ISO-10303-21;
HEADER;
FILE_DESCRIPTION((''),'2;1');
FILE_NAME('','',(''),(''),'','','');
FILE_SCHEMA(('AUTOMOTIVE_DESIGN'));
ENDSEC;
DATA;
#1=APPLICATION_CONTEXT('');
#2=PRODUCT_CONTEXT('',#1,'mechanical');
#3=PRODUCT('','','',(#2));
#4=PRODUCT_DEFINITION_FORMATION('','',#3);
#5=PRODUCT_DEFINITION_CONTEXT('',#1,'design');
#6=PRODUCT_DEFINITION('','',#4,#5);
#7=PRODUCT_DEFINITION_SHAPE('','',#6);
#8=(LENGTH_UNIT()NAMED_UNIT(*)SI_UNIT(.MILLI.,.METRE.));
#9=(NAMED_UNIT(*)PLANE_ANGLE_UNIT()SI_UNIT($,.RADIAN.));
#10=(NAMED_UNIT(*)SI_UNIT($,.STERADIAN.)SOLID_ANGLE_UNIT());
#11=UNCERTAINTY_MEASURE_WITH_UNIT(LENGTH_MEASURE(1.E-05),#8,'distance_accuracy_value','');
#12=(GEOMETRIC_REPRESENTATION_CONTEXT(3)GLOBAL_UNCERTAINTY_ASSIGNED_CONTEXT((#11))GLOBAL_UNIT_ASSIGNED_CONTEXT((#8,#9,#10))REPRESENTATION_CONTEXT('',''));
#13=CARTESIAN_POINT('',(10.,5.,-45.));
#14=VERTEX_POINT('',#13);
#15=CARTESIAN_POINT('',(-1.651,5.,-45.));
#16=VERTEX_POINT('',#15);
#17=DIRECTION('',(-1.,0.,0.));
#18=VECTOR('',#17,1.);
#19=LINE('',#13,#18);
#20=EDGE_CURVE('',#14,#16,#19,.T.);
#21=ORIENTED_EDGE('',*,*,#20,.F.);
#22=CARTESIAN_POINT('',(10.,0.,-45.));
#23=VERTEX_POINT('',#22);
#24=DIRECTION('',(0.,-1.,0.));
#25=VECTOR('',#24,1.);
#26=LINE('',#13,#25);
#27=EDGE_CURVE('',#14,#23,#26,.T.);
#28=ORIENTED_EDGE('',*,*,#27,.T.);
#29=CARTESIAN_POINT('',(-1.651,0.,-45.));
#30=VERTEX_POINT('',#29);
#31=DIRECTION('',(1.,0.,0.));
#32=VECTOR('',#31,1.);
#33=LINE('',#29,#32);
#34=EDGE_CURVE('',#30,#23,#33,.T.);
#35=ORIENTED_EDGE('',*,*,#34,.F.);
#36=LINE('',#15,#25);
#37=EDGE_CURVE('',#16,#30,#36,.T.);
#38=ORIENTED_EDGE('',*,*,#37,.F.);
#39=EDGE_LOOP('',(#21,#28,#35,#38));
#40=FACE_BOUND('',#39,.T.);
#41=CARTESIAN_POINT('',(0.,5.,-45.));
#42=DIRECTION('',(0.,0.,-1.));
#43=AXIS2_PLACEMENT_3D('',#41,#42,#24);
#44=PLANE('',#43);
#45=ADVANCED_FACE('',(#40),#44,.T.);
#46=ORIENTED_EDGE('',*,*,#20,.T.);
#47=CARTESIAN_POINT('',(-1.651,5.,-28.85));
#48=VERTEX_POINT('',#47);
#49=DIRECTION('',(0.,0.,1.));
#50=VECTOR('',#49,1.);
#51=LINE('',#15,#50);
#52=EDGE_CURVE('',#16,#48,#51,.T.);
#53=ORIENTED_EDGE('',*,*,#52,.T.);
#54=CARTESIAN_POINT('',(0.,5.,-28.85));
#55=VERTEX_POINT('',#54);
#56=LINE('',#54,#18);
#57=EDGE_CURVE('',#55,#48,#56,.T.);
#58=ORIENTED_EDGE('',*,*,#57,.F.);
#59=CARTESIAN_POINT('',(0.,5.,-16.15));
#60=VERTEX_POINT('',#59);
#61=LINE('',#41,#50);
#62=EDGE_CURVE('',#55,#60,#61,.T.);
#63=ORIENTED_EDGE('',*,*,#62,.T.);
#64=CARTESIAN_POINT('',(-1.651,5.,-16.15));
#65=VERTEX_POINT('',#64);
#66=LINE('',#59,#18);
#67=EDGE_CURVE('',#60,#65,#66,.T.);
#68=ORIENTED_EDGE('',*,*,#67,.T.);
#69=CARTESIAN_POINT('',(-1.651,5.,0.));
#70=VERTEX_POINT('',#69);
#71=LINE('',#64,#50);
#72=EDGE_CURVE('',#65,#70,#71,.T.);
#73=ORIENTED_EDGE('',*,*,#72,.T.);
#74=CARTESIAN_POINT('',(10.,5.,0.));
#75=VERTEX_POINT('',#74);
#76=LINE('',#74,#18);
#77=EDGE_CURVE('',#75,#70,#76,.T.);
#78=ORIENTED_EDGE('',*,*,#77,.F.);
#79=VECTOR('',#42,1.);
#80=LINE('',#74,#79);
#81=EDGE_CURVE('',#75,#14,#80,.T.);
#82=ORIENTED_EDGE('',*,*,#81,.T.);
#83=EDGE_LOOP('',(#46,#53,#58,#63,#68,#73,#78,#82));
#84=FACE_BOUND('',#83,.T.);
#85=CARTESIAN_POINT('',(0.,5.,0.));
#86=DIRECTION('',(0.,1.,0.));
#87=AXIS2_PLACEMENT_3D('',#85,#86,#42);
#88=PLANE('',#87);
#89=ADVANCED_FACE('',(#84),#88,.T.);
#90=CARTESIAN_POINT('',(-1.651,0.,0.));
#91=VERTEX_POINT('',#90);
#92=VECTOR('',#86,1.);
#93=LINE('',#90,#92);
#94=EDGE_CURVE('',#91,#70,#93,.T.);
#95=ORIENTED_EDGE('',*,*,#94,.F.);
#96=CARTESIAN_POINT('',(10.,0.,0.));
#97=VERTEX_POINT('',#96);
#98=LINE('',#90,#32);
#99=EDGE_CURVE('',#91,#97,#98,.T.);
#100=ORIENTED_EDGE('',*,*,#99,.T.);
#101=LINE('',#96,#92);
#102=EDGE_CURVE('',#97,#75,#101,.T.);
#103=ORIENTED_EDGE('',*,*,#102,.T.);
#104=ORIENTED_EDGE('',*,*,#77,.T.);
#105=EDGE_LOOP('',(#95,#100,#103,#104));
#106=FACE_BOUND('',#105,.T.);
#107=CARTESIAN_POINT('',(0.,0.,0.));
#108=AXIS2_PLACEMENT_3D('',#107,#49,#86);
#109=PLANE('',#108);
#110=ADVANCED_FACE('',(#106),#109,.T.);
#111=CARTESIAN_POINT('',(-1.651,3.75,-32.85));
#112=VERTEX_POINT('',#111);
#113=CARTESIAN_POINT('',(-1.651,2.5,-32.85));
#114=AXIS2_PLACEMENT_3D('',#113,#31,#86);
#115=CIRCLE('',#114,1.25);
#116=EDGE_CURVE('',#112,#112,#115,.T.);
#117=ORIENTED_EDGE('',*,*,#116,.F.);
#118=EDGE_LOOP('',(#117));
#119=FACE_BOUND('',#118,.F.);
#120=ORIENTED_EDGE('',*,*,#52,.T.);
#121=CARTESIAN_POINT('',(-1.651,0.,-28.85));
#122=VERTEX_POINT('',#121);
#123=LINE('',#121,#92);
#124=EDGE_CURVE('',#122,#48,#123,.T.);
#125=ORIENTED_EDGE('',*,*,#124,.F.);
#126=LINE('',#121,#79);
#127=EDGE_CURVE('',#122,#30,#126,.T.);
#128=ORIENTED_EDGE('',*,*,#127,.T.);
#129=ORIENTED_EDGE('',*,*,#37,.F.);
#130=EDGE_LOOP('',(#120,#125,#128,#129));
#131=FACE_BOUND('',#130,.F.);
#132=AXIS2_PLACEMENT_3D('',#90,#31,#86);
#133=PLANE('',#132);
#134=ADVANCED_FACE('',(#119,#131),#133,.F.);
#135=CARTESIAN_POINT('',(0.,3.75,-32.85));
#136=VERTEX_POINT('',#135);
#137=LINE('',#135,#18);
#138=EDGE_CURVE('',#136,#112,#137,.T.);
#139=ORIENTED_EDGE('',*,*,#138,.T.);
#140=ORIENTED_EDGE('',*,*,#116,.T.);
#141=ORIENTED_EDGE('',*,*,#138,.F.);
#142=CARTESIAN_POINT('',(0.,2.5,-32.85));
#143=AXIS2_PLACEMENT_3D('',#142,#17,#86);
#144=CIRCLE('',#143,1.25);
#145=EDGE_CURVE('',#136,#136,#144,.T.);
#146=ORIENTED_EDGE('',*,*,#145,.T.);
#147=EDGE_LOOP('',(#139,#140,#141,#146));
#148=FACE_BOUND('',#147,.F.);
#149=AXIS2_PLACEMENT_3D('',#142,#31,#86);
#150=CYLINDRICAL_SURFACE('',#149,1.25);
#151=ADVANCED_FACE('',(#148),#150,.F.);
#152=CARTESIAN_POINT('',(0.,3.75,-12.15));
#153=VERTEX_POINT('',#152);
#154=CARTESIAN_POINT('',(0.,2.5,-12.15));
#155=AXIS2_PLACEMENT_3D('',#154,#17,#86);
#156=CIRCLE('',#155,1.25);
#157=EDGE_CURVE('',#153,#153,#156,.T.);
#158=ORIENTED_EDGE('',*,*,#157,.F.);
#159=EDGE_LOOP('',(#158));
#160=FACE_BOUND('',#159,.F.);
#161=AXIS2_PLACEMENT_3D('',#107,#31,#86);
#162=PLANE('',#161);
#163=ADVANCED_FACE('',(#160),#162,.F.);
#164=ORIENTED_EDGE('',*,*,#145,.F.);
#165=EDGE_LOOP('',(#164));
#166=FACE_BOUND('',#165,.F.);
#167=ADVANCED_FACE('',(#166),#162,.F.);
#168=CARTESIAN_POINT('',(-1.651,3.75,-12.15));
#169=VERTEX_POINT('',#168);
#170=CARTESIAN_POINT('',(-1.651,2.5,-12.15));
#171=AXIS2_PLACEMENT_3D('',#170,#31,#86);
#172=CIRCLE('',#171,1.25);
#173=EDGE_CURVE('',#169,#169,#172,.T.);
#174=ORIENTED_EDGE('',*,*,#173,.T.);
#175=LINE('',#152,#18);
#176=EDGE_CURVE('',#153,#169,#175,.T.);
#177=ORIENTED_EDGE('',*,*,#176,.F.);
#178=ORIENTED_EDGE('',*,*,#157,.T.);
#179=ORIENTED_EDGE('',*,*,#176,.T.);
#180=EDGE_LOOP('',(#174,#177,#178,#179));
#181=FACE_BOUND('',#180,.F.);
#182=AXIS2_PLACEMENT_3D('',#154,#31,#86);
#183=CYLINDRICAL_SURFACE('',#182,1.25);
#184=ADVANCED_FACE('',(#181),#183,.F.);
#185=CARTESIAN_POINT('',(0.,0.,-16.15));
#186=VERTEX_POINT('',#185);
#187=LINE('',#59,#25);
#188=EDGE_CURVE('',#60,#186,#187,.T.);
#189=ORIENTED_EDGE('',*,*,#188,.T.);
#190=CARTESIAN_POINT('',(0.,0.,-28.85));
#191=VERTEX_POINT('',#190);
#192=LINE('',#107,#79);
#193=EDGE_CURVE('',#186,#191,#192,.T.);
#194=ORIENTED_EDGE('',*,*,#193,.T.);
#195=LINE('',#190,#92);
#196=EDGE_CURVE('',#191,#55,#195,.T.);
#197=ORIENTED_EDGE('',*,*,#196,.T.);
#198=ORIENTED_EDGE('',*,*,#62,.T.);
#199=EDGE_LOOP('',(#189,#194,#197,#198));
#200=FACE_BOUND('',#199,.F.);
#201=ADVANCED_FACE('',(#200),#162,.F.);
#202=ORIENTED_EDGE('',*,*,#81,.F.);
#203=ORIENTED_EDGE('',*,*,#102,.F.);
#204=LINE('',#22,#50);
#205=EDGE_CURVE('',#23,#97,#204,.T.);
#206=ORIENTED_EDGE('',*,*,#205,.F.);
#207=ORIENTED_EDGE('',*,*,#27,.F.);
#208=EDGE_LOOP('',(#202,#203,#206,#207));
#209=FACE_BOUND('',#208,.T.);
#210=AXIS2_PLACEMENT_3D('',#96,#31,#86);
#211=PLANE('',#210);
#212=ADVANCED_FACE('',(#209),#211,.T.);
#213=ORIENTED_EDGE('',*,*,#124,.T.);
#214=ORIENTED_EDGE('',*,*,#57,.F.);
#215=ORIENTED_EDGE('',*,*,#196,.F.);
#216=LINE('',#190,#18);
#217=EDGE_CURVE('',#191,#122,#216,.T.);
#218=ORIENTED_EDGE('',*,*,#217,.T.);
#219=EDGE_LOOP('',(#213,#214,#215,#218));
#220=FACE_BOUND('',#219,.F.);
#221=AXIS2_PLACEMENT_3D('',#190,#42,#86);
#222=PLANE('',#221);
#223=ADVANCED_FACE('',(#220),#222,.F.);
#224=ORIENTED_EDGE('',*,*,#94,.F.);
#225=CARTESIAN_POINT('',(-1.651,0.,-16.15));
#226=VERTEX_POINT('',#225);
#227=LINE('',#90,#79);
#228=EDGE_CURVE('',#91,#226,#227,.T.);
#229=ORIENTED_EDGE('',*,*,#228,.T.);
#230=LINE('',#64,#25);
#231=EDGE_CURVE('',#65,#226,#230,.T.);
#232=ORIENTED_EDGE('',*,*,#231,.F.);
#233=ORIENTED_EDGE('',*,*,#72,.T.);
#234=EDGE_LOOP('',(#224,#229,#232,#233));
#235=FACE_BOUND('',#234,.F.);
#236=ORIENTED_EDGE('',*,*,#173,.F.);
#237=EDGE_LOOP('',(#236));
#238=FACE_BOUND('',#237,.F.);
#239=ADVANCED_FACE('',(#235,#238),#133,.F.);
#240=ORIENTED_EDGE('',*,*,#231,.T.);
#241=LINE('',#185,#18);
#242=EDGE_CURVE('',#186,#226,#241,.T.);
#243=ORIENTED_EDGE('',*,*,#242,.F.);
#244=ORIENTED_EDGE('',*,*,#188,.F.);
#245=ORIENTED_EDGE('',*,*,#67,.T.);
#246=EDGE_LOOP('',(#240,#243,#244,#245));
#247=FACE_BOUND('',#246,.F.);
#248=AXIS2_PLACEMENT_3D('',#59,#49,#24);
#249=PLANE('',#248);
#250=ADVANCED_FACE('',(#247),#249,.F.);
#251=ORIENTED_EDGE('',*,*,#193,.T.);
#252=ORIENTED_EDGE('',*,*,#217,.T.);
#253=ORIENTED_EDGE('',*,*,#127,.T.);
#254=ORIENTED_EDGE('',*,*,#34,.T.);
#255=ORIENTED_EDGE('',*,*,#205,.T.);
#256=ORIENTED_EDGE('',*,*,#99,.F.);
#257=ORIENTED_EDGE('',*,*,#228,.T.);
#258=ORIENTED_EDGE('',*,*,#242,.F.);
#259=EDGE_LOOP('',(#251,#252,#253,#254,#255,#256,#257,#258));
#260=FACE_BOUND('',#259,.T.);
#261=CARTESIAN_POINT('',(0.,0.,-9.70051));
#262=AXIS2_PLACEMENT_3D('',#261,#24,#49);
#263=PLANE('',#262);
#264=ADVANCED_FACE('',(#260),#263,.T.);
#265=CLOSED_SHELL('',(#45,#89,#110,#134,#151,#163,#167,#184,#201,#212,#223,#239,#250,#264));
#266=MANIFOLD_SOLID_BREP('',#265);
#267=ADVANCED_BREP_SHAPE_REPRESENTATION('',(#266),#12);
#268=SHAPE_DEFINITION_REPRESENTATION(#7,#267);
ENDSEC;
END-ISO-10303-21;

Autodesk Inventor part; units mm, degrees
ref_plane "YZ Plane" through (0, 0, 0) normal (1, 0, 0) x (0, 1, 0)
ref_plane "XZ Plane" through (0, 0, 0) normal (0, 1, 0) x (-1, 0, 0)
ref_plane "XY Plane" through (0, 0, 0) normal (0, 0, 1) x (1, 0, 0)
sketch "スケッチ1" plane through (0, 0, 0) normal (1, 0, 0) x (0, 1, 0)
  line L0 (0, 0) -> (5, 0)
  line L1 (5, 0) -> (5, -45)
  line L2 (5, -45) -> (0, -45)
  line L3 (0, -45) -> (0, 0)
  circle A0 centre (2.5, -12.15) radius 1.25
  line L4 (0, -13) -> (5, -13)
  line L5 (5, -13) -> (5, -32)
  line L6 (5, -32) -> (0, -32)
  line L7 (0, -32) -> (0, -13)
  circle A1 centre (2.5, -12.15) radius 3.5
  line L8 (0, -22.5) -> (5, -22.5)
  circle A2 centre (2.5, -32.85) radius 1.25
  line L9 (5, -16.15) -> (0, -16.15)
  line L10 (0, -16.15) -> (0, -28.85)
  line L11 (0, -28.85) -> (5, -28.85)
  line L12 (5, -28.85) -> (5, -16.15)
  point P0 (5, -28.85)
  point P1 (0, -28.85)
  point P2 (0, -16.15)
  point P3 (5, -16.15)
  dimension "d0" = 5
  dimension "d1" = 45
  dimension "d2" = 2.5
  dimension "d4" = 5
  dimension "d5" = 19
  dimension "d7" = 12.15
  dimension "d8" = 2.5
  dimension "d9" = 7
  dimension "d19" = 5
  dimension "d20" = 12.7
  dimension "d21" = 6.35
  dimension "d28" = 13
extrude "押し出し1" add sketch "スケッチ1" along normal blind 10 contours L0 L1 A1 L3 | A1 L1 L4 A0 L3 | L4 A0 L1 A1 L3 | A1 L1 L9 L3 | L4 A0 | A0 L4 | L9 L1 L8 L3 | L8 L1 L11 L3 | L11 L1 L6 A2 L3 | L6 A2 L1 L2 L3 | A2 L6 | L6 A2
extrude "押し出し2" add sketch "スケッチ1" against normal blind 1.651 contours L0 L1 A1 L3 | A1 L1 L4 A0 L3 | L4 A0 L1 A1 L3 | A1 L1 L9 L3 | L11 L1 L6 A2 L3 | L6 A2 L1 L2 L3
thread "ねじ1" size "M2.5x0.45" class "6H" standard "ANSI Metric M Profile" full length
thread "ねじ2" size "M2.5x0.45" class "6H" standard "ANSI Metric M Profile" full length
properties part number "belt_liner_v2_Plate_19" material "アルミニウム 6061"
